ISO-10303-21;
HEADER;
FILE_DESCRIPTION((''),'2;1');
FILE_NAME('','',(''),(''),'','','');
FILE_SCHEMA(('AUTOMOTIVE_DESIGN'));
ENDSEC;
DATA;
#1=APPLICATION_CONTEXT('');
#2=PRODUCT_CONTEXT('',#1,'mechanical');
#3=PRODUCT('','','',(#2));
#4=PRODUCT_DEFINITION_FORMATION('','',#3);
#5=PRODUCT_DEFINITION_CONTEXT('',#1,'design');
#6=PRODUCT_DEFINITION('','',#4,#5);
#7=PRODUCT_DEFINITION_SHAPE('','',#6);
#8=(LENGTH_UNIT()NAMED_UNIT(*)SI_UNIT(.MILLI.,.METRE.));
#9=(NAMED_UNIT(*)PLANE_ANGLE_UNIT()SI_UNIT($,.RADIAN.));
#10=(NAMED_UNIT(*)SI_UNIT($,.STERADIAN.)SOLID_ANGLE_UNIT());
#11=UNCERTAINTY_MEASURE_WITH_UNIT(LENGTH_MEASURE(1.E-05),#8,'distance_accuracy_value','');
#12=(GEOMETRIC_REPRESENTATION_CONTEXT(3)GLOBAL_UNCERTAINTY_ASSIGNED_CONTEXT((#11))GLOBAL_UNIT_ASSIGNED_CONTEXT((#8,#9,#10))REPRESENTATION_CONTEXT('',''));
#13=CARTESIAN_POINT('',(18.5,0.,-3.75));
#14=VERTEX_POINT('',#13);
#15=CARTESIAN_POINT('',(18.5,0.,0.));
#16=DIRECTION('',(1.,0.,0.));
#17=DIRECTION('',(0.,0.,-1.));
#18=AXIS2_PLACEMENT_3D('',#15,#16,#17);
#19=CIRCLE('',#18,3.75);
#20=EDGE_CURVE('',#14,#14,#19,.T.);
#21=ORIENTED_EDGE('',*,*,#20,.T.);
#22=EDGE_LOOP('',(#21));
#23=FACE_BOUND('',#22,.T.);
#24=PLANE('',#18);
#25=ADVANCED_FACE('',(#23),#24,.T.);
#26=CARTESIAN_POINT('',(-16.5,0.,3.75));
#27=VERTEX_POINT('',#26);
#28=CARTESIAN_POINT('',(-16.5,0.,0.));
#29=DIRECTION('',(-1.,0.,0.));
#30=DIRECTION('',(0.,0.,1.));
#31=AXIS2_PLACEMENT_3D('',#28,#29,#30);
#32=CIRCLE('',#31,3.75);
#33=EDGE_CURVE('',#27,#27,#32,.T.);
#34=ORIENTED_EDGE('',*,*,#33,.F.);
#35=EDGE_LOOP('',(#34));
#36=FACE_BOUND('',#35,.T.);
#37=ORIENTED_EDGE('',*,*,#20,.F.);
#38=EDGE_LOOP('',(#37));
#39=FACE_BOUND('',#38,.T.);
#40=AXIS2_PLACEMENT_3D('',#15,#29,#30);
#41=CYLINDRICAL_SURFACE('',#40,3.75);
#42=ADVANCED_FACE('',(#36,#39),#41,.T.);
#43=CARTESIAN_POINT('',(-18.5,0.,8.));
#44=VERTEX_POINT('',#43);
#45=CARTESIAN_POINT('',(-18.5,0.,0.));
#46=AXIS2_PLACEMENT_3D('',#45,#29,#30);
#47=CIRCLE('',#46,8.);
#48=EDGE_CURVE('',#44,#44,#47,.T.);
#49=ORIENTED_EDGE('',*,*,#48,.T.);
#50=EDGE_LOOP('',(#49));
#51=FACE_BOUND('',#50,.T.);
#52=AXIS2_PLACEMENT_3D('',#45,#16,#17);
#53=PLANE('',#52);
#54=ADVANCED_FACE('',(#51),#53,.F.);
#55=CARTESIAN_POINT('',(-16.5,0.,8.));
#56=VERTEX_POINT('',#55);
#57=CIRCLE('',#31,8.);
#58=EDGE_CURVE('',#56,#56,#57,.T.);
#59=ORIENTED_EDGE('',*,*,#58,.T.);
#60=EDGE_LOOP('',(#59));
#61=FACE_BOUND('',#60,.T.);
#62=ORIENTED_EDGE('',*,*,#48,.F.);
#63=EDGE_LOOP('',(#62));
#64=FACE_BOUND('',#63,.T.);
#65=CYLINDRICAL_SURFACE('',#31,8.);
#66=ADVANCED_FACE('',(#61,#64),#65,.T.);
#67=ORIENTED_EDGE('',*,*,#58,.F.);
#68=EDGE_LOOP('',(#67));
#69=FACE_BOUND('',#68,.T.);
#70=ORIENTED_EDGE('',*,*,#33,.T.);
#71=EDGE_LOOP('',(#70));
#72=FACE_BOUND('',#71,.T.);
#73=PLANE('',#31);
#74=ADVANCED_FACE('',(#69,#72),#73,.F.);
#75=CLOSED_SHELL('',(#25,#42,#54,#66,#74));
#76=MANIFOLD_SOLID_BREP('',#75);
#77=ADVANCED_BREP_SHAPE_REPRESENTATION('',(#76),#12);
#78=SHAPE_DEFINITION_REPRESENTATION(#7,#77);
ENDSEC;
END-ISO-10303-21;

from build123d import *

# Parameters (mm, degrees)
CROQUIS1_R              = 3.75
SALIENTE_EXTRUIR1_DEPTH = 18.5
CROQUIS2_R              = 8
SALIENTE_EXTRUIR2_DEPTH = 2


with BuildPart() as part:
    # Croquis1 → Saliente-Extruir1 (new body, symmetric)
    with BuildSketch(Plane(origin=(0, 0, 0), x_dir=(0, 0, -1), z_dir=(1, 0, 0))):
        Circle(CROQUIS1_R)
    extrude(amount=SALIENTE_EXTRUIR1_DEPTH, both=True)

    # Croquis2 → Saliente-Extruir2 (add)
    with BuildSketch(Plane.ZY.offset(18.5)):
        Circle(CROQUIS2_R)
    extrude(amount=-SALIENTE_EXTRUIR2_DEPTH)


solid = part.part
